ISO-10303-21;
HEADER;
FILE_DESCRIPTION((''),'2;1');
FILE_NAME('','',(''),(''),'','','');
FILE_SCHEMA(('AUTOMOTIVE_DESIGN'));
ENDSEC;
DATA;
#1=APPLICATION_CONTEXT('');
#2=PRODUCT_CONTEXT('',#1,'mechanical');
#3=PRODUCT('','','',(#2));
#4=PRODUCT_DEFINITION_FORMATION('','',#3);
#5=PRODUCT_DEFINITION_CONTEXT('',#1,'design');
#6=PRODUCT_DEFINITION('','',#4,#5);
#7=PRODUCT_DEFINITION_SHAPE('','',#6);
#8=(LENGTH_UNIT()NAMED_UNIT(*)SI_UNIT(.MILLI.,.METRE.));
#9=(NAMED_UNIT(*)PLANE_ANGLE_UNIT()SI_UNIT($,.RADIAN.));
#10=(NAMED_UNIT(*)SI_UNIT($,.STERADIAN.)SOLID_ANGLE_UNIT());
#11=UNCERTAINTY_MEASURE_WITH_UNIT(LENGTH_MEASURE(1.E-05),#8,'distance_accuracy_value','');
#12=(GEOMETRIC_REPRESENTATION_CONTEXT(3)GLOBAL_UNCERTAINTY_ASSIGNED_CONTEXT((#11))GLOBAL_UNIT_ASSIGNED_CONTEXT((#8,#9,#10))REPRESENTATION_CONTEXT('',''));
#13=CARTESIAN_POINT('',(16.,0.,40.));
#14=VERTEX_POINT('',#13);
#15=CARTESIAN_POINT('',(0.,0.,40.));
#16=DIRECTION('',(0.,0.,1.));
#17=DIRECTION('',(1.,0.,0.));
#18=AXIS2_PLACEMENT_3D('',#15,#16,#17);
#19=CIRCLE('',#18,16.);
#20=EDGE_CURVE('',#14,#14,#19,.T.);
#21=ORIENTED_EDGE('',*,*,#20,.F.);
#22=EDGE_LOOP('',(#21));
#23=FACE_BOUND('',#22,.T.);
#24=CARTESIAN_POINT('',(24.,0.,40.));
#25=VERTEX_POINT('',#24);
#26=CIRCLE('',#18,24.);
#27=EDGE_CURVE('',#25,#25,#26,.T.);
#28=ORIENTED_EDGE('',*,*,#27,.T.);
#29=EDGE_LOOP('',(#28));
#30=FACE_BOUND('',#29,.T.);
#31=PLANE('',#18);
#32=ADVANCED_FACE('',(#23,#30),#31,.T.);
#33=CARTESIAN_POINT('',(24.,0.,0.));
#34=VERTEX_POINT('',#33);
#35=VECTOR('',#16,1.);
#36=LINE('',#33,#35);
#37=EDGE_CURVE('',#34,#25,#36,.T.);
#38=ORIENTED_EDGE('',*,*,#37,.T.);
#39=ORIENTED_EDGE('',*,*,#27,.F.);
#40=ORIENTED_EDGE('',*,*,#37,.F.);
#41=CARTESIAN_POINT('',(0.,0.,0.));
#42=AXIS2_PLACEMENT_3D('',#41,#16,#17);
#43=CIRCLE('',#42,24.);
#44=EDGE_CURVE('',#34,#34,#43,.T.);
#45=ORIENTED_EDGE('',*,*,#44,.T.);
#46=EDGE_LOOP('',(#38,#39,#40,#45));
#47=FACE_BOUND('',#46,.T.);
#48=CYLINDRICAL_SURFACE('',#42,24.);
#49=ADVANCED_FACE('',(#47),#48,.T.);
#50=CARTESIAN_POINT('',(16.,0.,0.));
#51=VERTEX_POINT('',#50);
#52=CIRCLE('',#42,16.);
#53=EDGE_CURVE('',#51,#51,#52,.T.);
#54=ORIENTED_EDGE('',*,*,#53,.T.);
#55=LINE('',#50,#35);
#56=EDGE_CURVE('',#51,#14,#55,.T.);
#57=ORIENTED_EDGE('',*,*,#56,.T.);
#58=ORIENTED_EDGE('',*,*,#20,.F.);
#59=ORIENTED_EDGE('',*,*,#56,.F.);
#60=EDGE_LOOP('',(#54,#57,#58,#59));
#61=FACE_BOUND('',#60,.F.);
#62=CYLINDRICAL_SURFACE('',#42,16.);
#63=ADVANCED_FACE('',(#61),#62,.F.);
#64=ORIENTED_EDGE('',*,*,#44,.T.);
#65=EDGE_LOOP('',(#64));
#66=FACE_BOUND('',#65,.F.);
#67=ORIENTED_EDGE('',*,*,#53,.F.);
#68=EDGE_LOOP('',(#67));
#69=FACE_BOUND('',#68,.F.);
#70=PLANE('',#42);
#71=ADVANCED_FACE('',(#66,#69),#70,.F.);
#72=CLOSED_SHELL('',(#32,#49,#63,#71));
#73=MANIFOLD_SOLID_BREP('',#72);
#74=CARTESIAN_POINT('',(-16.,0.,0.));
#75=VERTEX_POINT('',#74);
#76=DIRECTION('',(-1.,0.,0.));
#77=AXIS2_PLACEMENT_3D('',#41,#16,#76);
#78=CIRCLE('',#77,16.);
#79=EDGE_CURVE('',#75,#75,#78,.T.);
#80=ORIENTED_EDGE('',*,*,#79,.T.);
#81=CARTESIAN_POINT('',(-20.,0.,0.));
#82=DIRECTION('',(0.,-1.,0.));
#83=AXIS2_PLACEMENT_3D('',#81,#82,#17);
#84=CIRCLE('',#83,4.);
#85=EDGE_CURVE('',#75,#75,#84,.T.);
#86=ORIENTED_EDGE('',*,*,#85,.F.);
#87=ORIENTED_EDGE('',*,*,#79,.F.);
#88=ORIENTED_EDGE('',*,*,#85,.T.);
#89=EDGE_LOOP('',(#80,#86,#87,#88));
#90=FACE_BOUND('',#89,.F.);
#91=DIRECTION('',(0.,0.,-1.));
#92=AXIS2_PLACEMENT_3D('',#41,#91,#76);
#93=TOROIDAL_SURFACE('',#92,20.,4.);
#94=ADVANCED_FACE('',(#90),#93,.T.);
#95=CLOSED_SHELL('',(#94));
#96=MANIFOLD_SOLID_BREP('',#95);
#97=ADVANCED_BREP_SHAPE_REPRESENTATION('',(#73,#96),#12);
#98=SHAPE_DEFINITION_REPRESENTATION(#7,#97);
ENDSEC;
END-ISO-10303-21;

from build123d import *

# Parameters (mm, degrees)
F0_R   = 4
F2_R   = 24
F2_R_2 = 16


with BuildPart() as f1:
    # F0 (on Front) → F1 (revolve)
    with BuildSketch(Plane.XZ):
        with Locations((-20, 0)):
            Circle(F0_R)
    revolve(axis=Axis((0, 0, 20), (0, 0, 1)))


with BuildPart() as f3:
    # F3: sweep along a path in F0
    with BuildLine(Plane.XZ) as f3_path:
        Line((0, 0), (0, 40))
    # F2 (on Top) → F3 (sweep)
    with BuildSketch(Plane.XY):
        Circle(F2_R)
        Circle(F2_R_2, mode=Mode.SUBTRACT)
    sweep(path=f3_path.line)


solid = Compound([f1.part, f3.part])
